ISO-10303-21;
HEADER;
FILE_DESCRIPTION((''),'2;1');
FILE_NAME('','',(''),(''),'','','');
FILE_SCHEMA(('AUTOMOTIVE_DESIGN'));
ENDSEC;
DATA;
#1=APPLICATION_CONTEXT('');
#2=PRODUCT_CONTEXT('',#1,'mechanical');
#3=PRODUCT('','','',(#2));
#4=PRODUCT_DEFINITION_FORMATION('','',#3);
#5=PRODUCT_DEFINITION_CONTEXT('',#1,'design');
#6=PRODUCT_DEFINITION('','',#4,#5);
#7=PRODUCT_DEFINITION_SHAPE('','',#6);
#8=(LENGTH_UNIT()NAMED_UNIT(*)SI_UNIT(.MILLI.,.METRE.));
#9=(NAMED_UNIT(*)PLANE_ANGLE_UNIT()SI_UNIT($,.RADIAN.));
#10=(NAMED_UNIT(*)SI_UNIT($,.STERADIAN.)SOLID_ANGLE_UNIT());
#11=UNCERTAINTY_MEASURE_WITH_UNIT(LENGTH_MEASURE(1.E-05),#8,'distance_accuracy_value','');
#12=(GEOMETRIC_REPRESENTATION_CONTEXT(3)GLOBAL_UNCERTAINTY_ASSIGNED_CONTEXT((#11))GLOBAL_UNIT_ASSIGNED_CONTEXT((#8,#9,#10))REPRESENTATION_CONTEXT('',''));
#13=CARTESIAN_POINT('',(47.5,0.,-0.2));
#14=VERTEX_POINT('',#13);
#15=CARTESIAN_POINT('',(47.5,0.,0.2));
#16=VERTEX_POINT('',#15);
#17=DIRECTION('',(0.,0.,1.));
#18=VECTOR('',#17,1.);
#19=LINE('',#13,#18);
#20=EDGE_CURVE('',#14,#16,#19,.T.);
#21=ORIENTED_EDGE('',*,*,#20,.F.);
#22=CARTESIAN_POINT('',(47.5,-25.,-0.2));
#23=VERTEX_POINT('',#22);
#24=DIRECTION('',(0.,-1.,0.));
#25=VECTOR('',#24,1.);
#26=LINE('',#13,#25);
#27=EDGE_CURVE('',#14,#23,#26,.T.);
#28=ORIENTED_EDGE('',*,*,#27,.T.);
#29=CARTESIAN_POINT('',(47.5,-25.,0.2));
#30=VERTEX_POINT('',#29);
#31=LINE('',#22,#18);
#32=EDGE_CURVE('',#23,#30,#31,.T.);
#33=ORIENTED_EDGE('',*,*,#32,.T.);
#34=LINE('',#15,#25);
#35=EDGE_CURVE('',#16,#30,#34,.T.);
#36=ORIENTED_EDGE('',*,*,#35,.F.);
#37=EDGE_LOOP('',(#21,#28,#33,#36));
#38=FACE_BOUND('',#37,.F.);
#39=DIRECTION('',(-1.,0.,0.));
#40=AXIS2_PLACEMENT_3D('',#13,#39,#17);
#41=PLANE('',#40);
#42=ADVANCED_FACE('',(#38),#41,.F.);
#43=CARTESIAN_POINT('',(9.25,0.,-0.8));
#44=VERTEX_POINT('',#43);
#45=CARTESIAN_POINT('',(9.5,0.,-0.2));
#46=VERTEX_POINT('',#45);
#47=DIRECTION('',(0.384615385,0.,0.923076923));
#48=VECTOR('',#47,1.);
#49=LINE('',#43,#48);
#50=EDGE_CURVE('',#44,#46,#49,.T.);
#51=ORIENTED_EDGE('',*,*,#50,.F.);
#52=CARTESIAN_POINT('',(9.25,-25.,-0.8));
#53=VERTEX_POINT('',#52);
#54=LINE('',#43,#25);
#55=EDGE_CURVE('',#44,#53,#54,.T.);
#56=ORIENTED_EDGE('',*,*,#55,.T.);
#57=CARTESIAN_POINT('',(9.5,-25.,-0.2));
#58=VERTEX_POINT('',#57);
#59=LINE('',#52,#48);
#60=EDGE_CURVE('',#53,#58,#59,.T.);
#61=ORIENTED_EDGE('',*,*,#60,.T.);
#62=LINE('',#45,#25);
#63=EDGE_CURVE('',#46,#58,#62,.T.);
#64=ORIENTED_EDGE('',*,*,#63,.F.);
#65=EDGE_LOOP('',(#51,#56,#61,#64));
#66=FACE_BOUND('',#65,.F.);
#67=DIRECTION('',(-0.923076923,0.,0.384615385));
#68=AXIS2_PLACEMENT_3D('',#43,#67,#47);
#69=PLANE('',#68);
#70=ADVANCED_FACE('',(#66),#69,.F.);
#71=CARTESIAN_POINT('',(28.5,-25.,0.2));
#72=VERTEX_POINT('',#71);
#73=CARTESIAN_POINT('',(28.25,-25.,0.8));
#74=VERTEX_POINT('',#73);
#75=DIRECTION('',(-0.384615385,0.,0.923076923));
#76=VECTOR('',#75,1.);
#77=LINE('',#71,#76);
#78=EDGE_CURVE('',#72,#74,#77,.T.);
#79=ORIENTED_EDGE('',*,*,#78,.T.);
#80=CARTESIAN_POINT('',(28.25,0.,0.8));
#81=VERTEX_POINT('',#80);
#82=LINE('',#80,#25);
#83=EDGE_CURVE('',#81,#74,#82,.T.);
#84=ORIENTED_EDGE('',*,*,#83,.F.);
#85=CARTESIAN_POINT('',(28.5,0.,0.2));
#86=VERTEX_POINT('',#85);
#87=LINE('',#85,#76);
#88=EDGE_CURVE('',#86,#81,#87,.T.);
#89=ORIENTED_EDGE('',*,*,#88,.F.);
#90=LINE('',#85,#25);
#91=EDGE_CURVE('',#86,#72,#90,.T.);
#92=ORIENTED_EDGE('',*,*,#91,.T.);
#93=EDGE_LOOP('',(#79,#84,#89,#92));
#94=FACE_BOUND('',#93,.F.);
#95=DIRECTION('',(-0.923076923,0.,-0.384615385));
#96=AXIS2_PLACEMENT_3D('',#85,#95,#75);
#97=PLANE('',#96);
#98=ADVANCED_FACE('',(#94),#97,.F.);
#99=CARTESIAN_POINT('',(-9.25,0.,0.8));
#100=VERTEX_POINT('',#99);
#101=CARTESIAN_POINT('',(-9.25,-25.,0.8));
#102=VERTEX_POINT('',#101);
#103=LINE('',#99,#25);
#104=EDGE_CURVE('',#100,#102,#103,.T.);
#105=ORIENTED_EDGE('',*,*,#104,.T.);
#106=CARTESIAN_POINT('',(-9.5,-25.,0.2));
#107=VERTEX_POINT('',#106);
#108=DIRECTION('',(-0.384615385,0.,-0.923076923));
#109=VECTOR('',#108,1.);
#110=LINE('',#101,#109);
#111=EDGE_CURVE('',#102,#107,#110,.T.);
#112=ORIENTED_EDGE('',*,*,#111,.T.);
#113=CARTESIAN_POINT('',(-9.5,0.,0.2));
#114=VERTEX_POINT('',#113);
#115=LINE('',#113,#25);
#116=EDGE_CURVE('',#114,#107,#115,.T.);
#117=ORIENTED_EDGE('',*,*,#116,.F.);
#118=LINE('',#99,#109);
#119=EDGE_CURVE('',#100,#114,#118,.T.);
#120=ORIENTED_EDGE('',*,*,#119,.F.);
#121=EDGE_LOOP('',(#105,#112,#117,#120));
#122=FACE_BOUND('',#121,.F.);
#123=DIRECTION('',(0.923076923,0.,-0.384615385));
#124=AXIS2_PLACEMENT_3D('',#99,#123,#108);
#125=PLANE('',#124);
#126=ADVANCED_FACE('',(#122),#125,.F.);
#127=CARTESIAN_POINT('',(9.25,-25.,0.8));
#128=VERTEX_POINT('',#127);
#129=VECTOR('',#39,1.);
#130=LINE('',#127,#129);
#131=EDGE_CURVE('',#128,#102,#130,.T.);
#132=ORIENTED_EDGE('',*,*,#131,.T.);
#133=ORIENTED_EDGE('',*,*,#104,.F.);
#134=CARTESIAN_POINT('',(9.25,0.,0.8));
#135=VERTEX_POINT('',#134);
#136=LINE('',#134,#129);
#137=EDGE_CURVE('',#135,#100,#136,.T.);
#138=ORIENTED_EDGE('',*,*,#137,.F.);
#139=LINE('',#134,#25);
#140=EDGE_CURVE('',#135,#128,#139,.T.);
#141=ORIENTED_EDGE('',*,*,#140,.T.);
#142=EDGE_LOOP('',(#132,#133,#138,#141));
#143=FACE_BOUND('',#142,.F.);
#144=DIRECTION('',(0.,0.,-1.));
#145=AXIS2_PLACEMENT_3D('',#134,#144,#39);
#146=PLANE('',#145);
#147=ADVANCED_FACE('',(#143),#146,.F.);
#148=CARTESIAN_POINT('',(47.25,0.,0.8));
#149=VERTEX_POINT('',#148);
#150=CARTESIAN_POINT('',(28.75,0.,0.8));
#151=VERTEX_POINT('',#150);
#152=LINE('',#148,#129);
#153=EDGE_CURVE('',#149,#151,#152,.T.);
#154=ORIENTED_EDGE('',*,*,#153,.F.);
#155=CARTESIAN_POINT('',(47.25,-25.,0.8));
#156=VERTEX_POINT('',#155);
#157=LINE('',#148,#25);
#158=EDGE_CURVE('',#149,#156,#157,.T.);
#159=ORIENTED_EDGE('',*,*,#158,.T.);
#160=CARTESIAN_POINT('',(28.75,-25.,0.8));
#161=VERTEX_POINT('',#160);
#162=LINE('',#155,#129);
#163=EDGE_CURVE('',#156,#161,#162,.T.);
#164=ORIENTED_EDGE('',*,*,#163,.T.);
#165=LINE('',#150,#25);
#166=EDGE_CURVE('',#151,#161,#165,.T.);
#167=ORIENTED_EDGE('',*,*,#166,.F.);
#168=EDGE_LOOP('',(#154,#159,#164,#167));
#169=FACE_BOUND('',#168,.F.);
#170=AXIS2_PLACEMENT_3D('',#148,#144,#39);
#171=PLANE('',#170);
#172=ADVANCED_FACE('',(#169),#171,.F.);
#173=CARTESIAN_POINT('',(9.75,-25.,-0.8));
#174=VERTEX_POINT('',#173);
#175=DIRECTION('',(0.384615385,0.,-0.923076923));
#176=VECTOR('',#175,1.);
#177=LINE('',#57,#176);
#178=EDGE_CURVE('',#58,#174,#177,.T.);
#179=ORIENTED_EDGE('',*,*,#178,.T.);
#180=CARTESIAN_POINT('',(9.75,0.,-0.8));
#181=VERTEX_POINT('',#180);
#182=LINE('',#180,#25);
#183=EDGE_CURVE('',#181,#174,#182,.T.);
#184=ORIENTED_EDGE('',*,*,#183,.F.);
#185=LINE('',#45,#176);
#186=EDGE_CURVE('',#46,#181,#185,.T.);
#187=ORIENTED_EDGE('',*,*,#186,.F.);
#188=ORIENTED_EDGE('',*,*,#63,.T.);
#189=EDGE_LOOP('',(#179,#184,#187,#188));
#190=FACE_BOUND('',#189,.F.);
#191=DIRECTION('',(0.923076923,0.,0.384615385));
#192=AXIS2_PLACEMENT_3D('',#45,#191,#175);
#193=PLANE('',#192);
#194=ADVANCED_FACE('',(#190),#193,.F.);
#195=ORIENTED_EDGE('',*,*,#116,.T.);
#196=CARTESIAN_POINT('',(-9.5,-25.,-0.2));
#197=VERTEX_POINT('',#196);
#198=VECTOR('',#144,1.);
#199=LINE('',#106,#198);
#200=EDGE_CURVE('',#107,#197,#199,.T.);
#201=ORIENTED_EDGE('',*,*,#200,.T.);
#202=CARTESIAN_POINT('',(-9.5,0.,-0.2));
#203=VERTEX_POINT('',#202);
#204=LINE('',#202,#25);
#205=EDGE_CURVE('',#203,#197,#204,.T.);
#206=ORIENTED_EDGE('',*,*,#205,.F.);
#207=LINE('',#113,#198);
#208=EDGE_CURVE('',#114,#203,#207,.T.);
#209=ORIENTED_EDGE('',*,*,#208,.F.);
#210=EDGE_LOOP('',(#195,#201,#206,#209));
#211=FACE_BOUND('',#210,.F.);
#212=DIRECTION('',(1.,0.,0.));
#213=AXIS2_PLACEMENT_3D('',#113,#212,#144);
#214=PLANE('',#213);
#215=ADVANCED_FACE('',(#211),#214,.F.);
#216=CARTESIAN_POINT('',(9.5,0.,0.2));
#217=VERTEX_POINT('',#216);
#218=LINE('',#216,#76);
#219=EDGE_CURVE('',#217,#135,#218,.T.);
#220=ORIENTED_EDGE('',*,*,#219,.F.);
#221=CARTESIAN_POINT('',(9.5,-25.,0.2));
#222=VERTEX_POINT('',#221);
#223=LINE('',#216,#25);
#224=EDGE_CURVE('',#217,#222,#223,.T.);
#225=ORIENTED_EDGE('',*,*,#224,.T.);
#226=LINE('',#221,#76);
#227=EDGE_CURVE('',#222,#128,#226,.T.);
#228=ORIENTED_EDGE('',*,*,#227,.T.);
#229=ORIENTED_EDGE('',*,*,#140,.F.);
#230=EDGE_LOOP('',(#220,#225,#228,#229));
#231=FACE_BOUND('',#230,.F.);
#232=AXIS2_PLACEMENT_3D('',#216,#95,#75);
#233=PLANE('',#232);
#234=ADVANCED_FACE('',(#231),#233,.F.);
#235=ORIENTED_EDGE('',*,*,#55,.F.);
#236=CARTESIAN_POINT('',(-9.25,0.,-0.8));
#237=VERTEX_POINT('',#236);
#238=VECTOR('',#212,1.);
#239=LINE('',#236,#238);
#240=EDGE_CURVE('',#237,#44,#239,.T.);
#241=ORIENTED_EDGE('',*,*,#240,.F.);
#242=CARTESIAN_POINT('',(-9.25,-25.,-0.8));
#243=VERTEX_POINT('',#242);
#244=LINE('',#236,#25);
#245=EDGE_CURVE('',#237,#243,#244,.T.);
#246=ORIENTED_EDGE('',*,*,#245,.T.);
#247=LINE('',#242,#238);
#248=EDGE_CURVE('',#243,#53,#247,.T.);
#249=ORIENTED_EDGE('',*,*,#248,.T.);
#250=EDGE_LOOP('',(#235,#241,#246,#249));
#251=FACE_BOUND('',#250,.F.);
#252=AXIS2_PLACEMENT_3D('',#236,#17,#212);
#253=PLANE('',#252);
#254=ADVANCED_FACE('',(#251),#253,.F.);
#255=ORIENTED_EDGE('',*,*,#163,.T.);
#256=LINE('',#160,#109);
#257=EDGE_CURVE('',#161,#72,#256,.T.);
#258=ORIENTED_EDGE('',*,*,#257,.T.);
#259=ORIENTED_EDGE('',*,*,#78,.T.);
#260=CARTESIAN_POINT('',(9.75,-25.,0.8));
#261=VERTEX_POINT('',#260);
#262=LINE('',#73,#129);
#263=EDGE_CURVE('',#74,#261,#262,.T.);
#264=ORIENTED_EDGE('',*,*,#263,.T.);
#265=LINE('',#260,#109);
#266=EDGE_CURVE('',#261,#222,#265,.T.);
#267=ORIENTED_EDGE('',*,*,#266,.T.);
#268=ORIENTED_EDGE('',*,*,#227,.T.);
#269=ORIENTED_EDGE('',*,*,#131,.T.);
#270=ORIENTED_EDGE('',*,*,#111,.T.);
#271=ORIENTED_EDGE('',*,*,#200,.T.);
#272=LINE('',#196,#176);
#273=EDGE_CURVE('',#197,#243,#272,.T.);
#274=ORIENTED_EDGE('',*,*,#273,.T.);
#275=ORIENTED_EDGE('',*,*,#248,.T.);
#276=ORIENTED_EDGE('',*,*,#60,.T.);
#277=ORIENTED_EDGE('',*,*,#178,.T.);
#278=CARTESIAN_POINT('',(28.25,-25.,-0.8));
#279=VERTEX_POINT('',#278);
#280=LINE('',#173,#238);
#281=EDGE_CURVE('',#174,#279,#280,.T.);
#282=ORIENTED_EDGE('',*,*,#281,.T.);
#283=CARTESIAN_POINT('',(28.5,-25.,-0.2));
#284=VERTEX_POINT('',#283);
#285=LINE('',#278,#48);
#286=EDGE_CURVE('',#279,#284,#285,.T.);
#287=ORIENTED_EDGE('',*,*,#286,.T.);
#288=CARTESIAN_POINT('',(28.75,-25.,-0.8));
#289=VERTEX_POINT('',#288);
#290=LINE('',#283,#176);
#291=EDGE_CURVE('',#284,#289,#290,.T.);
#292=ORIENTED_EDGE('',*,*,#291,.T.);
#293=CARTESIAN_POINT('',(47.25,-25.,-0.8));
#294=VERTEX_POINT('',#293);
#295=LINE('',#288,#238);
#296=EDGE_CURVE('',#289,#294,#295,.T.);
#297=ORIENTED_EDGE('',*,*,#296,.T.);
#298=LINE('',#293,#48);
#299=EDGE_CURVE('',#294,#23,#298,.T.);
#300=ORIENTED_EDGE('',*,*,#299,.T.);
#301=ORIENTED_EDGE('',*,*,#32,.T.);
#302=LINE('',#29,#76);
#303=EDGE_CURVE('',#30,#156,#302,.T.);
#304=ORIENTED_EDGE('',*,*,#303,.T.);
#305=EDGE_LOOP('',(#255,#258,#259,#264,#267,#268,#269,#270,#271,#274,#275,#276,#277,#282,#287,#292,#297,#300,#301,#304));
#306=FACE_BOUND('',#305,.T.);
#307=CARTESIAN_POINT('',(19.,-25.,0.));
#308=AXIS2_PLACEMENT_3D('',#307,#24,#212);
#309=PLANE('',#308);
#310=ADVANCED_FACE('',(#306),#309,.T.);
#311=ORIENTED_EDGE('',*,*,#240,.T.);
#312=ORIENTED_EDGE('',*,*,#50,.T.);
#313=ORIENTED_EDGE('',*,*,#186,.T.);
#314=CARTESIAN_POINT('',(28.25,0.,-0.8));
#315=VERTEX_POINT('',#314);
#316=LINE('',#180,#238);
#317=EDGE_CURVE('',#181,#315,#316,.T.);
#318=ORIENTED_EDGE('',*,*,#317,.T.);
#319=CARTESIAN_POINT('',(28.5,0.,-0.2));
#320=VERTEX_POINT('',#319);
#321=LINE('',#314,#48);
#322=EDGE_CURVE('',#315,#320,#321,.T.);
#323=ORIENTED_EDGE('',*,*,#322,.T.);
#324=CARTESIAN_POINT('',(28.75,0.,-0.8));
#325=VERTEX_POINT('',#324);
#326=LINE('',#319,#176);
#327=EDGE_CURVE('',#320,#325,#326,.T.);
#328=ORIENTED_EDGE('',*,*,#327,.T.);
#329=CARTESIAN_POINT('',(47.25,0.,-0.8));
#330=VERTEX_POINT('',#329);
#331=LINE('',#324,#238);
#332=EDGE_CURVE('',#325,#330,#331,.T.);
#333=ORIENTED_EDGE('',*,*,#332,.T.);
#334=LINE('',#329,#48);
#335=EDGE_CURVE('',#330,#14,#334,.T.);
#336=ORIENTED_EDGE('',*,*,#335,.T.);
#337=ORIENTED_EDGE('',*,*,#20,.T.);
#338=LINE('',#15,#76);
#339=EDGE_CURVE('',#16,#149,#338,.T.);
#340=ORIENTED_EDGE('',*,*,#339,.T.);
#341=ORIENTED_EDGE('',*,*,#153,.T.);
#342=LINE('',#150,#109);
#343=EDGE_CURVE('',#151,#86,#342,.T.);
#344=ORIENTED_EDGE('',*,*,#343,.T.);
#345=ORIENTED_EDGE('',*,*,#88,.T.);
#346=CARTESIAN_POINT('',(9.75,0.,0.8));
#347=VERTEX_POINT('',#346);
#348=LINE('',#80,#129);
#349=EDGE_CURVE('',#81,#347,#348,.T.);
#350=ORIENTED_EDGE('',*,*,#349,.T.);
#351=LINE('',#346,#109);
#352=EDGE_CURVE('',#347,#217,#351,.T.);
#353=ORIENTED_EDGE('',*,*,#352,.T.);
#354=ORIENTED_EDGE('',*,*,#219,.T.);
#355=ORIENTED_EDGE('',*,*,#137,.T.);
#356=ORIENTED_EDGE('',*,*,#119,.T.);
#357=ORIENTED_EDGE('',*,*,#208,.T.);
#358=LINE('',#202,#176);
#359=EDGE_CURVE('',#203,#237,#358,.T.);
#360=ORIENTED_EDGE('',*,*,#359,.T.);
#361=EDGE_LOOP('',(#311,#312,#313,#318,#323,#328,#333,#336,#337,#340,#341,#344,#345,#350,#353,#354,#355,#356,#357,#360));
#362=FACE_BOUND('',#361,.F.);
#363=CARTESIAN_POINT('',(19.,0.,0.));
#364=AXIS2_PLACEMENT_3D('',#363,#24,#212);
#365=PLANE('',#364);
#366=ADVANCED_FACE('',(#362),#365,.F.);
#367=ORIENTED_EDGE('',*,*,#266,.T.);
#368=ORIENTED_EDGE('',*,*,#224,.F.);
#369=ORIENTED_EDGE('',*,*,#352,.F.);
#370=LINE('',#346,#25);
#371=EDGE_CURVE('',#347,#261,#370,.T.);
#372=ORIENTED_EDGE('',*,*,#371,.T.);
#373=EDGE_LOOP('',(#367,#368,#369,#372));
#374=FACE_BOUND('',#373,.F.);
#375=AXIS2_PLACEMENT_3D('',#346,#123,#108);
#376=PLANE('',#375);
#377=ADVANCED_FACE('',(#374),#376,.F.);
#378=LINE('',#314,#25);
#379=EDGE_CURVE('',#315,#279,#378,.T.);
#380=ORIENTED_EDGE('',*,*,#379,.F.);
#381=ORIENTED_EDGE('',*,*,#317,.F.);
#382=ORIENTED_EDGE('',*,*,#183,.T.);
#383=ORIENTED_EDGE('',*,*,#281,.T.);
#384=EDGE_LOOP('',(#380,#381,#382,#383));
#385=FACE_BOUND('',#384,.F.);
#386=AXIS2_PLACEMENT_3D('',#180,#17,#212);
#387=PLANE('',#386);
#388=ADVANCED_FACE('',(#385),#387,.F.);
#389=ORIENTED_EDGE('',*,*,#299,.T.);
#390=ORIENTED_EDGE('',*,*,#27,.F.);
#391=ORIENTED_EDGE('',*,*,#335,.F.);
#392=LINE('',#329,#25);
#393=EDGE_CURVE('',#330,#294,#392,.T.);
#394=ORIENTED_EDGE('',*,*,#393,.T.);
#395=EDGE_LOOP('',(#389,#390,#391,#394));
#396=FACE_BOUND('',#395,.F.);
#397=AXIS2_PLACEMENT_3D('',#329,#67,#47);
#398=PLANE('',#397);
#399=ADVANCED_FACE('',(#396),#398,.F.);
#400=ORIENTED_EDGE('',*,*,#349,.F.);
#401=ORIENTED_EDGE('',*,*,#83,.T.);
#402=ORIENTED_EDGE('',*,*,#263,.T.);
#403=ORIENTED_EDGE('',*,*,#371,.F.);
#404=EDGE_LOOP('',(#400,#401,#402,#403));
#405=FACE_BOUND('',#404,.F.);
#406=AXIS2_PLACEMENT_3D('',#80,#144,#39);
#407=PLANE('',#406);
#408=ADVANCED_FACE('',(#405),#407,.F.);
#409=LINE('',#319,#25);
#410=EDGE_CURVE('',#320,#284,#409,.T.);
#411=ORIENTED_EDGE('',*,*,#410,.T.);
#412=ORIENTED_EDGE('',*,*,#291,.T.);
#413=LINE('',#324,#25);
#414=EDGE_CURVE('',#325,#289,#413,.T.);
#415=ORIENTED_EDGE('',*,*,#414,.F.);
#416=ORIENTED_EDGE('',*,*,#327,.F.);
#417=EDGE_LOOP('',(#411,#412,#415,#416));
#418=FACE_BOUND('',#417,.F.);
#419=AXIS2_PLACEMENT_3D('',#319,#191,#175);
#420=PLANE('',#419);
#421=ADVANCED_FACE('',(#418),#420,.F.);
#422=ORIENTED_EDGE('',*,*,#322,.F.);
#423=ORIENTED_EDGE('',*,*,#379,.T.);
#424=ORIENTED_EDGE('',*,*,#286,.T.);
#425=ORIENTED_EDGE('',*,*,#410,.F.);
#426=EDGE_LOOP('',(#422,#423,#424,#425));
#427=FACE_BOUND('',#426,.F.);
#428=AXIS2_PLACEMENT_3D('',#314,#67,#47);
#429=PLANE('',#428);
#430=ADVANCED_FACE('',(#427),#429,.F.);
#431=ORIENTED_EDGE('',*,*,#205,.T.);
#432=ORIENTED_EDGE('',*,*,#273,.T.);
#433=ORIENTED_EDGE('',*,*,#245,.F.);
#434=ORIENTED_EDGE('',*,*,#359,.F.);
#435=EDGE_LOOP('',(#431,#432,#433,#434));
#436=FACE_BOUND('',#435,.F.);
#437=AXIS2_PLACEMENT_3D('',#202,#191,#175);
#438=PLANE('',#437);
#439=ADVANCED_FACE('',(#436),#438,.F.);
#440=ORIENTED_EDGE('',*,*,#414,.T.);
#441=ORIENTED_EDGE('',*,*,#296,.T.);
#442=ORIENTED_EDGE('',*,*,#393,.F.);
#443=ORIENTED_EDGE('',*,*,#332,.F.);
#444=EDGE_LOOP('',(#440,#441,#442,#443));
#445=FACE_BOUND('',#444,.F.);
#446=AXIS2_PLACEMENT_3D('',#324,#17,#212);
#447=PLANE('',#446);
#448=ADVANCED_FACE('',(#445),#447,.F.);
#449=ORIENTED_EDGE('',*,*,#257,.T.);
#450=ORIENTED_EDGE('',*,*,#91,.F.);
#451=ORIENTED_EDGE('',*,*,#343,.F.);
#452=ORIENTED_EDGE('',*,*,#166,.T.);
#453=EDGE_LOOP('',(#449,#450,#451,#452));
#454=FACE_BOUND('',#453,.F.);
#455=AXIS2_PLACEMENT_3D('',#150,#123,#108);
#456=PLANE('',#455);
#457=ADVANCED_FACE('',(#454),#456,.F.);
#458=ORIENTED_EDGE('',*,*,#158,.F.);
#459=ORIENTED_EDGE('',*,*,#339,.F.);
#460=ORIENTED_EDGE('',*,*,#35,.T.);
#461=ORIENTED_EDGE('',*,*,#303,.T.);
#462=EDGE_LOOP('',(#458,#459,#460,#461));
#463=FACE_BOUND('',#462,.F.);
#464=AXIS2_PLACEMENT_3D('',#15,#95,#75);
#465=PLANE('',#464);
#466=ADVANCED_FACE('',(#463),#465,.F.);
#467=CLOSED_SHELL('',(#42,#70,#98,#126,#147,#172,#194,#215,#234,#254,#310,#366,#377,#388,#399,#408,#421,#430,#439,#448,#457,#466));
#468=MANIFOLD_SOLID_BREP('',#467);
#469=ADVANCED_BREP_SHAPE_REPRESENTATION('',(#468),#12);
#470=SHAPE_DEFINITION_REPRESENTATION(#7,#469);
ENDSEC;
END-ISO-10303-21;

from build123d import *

# Parameters (mm, degrees)
F1_DEPTH = 25


with BuildPart() as f1:
    # F0 (on Front) → F1 (new body)
    with BuildSketch(Plane.XZ):
        Polygon((9.25, 0.8), (0, 0.8), (-9.25, 0.8), (-9.5, 0.2), (-9.5, -0.2), (-9.25, -0.8), (0, -0.8), (9.25, -0.8), (9.5, -0.2), (9.75, -0.8), (19, -0.8), (28.25, -0.8), (28.5, -0.2), (28.75, -0.8), (38, -0.8), (47.25, -0.8), (47.5, -0.2), (47.5, 0.2), (47.25, 0.8), (38, 0.8), (28.75, 0.8), (28.5, 0.2), (28.25, 0.8), (19, 0.8), (9.75, 0.8), (9.5, 0.2), align=None)
    extrude(amount=F1_DEPTH)


solid = f1.part
